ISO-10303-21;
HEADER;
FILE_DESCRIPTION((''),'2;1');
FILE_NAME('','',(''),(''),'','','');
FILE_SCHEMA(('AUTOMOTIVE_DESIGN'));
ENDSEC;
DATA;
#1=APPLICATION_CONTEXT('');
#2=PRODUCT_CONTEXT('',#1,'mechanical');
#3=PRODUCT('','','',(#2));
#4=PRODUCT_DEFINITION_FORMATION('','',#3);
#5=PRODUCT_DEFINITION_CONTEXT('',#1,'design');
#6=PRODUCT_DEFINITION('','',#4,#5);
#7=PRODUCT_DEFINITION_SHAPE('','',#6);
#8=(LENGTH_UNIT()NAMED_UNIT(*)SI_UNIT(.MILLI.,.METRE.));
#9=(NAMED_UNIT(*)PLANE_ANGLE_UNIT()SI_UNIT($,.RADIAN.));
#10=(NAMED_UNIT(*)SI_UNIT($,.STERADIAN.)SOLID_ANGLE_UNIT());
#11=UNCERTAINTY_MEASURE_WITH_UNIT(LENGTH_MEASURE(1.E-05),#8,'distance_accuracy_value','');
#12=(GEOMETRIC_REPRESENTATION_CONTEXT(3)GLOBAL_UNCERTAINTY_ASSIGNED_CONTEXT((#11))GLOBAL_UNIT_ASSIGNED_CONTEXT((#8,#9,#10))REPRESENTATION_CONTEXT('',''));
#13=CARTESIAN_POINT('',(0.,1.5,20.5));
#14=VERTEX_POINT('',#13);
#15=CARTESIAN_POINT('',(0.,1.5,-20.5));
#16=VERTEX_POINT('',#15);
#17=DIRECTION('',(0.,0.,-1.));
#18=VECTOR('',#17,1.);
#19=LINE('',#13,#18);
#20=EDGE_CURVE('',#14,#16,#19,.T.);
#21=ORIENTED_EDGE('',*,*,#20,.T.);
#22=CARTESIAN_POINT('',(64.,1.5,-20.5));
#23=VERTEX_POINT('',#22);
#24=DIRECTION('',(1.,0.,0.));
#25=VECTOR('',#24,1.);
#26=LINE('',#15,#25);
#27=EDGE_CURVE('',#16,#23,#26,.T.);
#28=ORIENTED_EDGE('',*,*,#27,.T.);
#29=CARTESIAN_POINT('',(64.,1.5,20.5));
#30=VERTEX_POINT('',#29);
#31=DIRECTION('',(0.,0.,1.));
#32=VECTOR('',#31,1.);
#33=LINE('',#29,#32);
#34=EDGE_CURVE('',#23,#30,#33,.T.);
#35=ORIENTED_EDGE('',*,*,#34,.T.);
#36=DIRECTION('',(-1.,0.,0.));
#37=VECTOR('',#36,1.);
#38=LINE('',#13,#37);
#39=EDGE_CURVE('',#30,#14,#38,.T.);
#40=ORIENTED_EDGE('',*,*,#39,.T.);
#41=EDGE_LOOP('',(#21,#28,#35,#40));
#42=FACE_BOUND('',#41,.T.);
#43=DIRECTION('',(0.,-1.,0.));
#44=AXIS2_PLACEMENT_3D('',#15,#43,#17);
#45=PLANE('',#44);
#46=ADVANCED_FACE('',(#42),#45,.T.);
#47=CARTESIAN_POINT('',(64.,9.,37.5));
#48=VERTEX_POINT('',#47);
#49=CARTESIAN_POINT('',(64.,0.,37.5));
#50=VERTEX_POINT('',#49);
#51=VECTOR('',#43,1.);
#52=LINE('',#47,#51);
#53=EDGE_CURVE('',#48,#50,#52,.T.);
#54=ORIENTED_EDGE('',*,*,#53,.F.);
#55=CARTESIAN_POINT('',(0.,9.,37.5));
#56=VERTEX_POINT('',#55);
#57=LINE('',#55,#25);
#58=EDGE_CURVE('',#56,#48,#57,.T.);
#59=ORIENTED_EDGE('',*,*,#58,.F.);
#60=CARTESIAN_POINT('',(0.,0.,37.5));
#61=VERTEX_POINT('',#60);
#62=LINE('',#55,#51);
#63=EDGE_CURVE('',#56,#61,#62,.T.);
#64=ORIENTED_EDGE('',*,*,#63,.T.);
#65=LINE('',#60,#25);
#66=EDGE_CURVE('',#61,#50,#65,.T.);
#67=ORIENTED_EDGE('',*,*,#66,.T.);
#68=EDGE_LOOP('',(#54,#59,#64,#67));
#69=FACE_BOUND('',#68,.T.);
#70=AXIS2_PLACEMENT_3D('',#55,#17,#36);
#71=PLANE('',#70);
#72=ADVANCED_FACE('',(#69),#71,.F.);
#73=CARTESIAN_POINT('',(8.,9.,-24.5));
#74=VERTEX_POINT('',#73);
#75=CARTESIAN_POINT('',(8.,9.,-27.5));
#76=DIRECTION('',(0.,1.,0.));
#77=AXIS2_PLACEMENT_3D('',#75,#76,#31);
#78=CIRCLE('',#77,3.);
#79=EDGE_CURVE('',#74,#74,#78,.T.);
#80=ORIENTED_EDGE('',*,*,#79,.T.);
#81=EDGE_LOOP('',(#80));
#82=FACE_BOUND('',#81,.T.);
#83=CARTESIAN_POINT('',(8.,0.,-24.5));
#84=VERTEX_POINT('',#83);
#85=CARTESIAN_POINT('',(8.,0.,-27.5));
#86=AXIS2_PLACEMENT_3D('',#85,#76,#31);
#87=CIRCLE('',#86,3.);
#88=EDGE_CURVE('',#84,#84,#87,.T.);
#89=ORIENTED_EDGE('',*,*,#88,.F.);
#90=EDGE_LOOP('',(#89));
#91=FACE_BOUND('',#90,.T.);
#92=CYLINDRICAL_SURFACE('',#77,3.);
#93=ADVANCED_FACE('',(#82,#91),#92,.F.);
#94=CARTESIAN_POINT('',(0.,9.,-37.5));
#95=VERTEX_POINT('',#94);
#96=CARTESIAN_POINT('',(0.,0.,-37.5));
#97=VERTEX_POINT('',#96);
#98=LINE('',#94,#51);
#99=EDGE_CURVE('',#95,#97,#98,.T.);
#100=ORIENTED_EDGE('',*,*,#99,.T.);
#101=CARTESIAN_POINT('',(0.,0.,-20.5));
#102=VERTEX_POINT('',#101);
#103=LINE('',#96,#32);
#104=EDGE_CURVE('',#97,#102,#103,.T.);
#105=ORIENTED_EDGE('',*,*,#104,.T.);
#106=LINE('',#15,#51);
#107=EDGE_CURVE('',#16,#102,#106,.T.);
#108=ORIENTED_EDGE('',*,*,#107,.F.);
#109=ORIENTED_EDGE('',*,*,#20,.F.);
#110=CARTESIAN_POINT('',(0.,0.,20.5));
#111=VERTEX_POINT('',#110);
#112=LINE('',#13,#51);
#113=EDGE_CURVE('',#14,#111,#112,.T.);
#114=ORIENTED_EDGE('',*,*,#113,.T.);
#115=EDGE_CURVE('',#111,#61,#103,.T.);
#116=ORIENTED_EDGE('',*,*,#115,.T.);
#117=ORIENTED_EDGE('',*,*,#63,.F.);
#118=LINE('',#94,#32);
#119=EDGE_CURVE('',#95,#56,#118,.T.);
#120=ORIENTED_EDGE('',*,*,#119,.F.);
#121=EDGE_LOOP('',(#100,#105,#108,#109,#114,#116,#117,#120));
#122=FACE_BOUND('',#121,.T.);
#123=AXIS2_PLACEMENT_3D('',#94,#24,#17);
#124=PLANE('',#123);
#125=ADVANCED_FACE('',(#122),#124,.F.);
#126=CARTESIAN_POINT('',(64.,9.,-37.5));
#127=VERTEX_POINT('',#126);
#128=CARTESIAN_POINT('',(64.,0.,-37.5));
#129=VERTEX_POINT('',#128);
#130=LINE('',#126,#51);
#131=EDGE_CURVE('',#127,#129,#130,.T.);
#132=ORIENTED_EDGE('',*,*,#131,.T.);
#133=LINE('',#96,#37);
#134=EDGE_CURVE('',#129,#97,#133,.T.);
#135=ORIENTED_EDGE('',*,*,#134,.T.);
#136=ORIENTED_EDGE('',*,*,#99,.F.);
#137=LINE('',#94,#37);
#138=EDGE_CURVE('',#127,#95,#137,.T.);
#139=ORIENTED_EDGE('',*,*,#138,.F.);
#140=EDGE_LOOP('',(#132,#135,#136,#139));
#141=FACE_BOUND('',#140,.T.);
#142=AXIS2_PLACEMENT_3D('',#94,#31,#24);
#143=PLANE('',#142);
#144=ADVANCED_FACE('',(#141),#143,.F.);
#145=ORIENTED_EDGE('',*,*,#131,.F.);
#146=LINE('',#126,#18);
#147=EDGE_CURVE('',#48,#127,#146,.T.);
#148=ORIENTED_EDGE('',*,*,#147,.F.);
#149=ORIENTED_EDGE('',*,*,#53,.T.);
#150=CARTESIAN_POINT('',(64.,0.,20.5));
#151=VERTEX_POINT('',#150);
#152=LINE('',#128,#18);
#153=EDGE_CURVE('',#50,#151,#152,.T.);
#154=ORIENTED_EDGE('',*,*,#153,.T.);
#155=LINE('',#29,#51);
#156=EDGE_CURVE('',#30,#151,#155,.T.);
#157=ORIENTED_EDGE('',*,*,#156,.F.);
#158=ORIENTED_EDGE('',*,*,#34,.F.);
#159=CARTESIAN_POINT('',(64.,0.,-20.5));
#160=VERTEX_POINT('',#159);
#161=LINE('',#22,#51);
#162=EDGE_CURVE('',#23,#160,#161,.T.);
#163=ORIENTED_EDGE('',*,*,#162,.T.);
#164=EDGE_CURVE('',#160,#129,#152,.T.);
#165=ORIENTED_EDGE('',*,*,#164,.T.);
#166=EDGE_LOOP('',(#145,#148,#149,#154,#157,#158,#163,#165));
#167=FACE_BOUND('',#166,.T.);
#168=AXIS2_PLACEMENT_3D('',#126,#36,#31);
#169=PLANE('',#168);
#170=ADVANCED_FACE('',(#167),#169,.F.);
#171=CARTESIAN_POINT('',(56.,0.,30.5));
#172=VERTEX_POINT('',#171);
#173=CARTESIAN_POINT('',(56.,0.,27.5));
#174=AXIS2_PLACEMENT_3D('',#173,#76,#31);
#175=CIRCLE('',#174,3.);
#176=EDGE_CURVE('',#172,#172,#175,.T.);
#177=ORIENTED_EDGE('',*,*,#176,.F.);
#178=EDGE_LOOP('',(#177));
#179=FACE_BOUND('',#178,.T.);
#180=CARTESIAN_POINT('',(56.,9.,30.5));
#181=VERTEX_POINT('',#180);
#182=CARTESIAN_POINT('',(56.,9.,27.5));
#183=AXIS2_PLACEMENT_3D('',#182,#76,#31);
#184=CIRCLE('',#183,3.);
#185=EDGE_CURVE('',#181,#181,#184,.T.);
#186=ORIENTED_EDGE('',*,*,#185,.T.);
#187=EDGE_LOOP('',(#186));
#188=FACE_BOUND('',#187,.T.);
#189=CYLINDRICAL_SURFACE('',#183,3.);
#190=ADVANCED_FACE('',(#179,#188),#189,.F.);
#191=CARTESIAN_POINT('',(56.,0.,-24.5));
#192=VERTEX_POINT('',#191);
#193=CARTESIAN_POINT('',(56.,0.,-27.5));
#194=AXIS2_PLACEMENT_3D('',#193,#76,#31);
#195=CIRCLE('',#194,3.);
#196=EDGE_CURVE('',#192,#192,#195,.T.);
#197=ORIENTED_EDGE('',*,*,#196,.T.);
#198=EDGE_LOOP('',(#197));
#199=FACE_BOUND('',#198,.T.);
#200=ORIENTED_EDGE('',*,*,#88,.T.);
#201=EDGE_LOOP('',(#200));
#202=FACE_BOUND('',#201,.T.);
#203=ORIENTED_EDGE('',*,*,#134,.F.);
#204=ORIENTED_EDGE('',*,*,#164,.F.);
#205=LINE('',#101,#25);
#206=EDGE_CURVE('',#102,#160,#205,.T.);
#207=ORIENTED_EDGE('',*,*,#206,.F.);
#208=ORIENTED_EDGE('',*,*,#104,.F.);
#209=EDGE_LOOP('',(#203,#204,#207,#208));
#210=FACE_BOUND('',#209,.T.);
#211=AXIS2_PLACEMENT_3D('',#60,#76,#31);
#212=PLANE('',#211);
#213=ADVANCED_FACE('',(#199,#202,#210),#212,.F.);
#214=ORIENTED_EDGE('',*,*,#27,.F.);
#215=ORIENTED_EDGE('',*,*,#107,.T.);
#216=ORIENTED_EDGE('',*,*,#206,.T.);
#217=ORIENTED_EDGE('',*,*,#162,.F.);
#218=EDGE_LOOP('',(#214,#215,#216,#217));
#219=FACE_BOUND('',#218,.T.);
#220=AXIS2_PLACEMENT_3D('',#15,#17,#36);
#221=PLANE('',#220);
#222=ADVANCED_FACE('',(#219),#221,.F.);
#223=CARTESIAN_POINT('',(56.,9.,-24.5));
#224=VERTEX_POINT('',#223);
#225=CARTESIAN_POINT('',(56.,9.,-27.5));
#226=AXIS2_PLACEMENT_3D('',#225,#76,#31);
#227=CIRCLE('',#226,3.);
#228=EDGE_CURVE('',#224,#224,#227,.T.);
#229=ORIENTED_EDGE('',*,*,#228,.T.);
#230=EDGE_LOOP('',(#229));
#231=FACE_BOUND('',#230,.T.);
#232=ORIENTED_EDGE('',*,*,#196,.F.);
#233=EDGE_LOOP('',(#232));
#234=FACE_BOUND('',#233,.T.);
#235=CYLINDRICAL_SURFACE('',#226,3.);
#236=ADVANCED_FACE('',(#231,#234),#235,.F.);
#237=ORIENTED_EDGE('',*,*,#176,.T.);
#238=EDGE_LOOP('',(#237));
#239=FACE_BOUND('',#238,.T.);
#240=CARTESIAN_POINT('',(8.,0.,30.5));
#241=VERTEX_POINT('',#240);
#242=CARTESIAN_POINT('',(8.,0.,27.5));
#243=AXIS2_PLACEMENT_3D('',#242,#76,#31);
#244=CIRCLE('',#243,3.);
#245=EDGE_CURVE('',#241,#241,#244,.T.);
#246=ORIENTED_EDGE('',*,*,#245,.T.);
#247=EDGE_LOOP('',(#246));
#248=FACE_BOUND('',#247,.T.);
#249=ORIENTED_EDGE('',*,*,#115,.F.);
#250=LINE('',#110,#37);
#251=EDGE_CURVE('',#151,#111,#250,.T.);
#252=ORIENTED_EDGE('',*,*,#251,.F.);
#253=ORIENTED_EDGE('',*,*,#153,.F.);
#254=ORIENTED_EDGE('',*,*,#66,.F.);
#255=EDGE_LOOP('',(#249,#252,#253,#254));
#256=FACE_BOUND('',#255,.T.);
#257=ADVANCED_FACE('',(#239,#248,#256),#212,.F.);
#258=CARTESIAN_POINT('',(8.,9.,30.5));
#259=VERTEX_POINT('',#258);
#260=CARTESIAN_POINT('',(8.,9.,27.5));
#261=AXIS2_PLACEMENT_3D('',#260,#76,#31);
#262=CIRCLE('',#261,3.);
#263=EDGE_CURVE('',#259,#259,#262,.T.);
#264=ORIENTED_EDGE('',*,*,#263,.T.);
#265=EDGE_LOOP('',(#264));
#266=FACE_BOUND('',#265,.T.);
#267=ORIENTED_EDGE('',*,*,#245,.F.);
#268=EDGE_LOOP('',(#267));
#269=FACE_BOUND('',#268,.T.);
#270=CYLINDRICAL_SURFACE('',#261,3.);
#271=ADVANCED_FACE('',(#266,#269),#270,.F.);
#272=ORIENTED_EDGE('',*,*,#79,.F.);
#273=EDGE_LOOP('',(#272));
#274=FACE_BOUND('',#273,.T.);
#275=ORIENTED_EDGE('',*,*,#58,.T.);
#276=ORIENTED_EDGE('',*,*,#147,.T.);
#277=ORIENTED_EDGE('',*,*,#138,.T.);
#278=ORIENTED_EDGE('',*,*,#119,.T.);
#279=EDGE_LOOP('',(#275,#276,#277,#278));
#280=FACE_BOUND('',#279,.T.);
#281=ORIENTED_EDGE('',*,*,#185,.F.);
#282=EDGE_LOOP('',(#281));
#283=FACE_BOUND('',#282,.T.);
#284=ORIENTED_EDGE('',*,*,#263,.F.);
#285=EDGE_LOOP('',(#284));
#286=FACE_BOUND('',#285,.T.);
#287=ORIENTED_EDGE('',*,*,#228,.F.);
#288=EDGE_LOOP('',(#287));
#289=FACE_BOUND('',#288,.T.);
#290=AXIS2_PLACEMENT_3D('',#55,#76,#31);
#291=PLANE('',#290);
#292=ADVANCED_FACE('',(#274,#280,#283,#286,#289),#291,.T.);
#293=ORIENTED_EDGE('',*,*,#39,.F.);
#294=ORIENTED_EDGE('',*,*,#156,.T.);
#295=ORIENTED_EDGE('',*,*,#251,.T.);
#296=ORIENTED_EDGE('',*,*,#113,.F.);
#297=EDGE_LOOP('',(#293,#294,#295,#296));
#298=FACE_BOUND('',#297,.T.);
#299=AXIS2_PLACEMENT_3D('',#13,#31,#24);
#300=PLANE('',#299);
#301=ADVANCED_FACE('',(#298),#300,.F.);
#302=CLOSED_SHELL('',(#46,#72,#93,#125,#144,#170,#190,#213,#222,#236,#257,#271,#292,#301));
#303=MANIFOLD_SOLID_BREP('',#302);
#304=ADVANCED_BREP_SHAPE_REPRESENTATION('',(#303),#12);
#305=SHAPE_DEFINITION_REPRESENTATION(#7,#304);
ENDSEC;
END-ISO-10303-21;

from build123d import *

# Parameters (mm, degrees)
SKETCH1_W                = 64
SKETCH1_H                = 75
BOSS_EXTRUDE1_DEPTH      = 9
SKETCH2_W                = 64
SKETCH2_H                = 41
CUT_EXTRUDE1_DEPTH       = 1.5
F_6_0_6_DIAMETER_HOLE1_D = 6


with BuildPart() as part:
    # Sketch1 → Boss-Extrude1 (new body)
    with BuildSketch(Plane(origin=(0, 0, 0), x_dir=(1, 0, 0), z_dir=(0, 1, 0))):
        with Locations((32, 0)):
            Rectangle(SKETCH1_W, SKETCH1_H)
    extrude(amount=BOSS_EXTRUDE1_DEPTH)

    # Sketch2 → Cut-Extrude1 (cut)
    with BuildSketch(Plane.XZ):
        with Locations((32, 0)):
            Rectangle(SKETCH2_W, SKETCH2_H)
    extrude(amount=-CUT_EXTRUDE1_DEPTH, mode=Mode.SUBTRACT)

    # Ø6.0 (6) Diameter Hole1 (through all)
    with Locations(Plane(origin=(0, 9, 0), x_dir=(-1, 0, 0), z_dir=(0, 1, 0))):
        with Locations((-8, 27.5), (-8, -27.5), (-56, -27.5), (-56, 27.5)):
            Hole(F_6_0_6_DIAMETER_HOLE1_D / 2)


solid = part.part
